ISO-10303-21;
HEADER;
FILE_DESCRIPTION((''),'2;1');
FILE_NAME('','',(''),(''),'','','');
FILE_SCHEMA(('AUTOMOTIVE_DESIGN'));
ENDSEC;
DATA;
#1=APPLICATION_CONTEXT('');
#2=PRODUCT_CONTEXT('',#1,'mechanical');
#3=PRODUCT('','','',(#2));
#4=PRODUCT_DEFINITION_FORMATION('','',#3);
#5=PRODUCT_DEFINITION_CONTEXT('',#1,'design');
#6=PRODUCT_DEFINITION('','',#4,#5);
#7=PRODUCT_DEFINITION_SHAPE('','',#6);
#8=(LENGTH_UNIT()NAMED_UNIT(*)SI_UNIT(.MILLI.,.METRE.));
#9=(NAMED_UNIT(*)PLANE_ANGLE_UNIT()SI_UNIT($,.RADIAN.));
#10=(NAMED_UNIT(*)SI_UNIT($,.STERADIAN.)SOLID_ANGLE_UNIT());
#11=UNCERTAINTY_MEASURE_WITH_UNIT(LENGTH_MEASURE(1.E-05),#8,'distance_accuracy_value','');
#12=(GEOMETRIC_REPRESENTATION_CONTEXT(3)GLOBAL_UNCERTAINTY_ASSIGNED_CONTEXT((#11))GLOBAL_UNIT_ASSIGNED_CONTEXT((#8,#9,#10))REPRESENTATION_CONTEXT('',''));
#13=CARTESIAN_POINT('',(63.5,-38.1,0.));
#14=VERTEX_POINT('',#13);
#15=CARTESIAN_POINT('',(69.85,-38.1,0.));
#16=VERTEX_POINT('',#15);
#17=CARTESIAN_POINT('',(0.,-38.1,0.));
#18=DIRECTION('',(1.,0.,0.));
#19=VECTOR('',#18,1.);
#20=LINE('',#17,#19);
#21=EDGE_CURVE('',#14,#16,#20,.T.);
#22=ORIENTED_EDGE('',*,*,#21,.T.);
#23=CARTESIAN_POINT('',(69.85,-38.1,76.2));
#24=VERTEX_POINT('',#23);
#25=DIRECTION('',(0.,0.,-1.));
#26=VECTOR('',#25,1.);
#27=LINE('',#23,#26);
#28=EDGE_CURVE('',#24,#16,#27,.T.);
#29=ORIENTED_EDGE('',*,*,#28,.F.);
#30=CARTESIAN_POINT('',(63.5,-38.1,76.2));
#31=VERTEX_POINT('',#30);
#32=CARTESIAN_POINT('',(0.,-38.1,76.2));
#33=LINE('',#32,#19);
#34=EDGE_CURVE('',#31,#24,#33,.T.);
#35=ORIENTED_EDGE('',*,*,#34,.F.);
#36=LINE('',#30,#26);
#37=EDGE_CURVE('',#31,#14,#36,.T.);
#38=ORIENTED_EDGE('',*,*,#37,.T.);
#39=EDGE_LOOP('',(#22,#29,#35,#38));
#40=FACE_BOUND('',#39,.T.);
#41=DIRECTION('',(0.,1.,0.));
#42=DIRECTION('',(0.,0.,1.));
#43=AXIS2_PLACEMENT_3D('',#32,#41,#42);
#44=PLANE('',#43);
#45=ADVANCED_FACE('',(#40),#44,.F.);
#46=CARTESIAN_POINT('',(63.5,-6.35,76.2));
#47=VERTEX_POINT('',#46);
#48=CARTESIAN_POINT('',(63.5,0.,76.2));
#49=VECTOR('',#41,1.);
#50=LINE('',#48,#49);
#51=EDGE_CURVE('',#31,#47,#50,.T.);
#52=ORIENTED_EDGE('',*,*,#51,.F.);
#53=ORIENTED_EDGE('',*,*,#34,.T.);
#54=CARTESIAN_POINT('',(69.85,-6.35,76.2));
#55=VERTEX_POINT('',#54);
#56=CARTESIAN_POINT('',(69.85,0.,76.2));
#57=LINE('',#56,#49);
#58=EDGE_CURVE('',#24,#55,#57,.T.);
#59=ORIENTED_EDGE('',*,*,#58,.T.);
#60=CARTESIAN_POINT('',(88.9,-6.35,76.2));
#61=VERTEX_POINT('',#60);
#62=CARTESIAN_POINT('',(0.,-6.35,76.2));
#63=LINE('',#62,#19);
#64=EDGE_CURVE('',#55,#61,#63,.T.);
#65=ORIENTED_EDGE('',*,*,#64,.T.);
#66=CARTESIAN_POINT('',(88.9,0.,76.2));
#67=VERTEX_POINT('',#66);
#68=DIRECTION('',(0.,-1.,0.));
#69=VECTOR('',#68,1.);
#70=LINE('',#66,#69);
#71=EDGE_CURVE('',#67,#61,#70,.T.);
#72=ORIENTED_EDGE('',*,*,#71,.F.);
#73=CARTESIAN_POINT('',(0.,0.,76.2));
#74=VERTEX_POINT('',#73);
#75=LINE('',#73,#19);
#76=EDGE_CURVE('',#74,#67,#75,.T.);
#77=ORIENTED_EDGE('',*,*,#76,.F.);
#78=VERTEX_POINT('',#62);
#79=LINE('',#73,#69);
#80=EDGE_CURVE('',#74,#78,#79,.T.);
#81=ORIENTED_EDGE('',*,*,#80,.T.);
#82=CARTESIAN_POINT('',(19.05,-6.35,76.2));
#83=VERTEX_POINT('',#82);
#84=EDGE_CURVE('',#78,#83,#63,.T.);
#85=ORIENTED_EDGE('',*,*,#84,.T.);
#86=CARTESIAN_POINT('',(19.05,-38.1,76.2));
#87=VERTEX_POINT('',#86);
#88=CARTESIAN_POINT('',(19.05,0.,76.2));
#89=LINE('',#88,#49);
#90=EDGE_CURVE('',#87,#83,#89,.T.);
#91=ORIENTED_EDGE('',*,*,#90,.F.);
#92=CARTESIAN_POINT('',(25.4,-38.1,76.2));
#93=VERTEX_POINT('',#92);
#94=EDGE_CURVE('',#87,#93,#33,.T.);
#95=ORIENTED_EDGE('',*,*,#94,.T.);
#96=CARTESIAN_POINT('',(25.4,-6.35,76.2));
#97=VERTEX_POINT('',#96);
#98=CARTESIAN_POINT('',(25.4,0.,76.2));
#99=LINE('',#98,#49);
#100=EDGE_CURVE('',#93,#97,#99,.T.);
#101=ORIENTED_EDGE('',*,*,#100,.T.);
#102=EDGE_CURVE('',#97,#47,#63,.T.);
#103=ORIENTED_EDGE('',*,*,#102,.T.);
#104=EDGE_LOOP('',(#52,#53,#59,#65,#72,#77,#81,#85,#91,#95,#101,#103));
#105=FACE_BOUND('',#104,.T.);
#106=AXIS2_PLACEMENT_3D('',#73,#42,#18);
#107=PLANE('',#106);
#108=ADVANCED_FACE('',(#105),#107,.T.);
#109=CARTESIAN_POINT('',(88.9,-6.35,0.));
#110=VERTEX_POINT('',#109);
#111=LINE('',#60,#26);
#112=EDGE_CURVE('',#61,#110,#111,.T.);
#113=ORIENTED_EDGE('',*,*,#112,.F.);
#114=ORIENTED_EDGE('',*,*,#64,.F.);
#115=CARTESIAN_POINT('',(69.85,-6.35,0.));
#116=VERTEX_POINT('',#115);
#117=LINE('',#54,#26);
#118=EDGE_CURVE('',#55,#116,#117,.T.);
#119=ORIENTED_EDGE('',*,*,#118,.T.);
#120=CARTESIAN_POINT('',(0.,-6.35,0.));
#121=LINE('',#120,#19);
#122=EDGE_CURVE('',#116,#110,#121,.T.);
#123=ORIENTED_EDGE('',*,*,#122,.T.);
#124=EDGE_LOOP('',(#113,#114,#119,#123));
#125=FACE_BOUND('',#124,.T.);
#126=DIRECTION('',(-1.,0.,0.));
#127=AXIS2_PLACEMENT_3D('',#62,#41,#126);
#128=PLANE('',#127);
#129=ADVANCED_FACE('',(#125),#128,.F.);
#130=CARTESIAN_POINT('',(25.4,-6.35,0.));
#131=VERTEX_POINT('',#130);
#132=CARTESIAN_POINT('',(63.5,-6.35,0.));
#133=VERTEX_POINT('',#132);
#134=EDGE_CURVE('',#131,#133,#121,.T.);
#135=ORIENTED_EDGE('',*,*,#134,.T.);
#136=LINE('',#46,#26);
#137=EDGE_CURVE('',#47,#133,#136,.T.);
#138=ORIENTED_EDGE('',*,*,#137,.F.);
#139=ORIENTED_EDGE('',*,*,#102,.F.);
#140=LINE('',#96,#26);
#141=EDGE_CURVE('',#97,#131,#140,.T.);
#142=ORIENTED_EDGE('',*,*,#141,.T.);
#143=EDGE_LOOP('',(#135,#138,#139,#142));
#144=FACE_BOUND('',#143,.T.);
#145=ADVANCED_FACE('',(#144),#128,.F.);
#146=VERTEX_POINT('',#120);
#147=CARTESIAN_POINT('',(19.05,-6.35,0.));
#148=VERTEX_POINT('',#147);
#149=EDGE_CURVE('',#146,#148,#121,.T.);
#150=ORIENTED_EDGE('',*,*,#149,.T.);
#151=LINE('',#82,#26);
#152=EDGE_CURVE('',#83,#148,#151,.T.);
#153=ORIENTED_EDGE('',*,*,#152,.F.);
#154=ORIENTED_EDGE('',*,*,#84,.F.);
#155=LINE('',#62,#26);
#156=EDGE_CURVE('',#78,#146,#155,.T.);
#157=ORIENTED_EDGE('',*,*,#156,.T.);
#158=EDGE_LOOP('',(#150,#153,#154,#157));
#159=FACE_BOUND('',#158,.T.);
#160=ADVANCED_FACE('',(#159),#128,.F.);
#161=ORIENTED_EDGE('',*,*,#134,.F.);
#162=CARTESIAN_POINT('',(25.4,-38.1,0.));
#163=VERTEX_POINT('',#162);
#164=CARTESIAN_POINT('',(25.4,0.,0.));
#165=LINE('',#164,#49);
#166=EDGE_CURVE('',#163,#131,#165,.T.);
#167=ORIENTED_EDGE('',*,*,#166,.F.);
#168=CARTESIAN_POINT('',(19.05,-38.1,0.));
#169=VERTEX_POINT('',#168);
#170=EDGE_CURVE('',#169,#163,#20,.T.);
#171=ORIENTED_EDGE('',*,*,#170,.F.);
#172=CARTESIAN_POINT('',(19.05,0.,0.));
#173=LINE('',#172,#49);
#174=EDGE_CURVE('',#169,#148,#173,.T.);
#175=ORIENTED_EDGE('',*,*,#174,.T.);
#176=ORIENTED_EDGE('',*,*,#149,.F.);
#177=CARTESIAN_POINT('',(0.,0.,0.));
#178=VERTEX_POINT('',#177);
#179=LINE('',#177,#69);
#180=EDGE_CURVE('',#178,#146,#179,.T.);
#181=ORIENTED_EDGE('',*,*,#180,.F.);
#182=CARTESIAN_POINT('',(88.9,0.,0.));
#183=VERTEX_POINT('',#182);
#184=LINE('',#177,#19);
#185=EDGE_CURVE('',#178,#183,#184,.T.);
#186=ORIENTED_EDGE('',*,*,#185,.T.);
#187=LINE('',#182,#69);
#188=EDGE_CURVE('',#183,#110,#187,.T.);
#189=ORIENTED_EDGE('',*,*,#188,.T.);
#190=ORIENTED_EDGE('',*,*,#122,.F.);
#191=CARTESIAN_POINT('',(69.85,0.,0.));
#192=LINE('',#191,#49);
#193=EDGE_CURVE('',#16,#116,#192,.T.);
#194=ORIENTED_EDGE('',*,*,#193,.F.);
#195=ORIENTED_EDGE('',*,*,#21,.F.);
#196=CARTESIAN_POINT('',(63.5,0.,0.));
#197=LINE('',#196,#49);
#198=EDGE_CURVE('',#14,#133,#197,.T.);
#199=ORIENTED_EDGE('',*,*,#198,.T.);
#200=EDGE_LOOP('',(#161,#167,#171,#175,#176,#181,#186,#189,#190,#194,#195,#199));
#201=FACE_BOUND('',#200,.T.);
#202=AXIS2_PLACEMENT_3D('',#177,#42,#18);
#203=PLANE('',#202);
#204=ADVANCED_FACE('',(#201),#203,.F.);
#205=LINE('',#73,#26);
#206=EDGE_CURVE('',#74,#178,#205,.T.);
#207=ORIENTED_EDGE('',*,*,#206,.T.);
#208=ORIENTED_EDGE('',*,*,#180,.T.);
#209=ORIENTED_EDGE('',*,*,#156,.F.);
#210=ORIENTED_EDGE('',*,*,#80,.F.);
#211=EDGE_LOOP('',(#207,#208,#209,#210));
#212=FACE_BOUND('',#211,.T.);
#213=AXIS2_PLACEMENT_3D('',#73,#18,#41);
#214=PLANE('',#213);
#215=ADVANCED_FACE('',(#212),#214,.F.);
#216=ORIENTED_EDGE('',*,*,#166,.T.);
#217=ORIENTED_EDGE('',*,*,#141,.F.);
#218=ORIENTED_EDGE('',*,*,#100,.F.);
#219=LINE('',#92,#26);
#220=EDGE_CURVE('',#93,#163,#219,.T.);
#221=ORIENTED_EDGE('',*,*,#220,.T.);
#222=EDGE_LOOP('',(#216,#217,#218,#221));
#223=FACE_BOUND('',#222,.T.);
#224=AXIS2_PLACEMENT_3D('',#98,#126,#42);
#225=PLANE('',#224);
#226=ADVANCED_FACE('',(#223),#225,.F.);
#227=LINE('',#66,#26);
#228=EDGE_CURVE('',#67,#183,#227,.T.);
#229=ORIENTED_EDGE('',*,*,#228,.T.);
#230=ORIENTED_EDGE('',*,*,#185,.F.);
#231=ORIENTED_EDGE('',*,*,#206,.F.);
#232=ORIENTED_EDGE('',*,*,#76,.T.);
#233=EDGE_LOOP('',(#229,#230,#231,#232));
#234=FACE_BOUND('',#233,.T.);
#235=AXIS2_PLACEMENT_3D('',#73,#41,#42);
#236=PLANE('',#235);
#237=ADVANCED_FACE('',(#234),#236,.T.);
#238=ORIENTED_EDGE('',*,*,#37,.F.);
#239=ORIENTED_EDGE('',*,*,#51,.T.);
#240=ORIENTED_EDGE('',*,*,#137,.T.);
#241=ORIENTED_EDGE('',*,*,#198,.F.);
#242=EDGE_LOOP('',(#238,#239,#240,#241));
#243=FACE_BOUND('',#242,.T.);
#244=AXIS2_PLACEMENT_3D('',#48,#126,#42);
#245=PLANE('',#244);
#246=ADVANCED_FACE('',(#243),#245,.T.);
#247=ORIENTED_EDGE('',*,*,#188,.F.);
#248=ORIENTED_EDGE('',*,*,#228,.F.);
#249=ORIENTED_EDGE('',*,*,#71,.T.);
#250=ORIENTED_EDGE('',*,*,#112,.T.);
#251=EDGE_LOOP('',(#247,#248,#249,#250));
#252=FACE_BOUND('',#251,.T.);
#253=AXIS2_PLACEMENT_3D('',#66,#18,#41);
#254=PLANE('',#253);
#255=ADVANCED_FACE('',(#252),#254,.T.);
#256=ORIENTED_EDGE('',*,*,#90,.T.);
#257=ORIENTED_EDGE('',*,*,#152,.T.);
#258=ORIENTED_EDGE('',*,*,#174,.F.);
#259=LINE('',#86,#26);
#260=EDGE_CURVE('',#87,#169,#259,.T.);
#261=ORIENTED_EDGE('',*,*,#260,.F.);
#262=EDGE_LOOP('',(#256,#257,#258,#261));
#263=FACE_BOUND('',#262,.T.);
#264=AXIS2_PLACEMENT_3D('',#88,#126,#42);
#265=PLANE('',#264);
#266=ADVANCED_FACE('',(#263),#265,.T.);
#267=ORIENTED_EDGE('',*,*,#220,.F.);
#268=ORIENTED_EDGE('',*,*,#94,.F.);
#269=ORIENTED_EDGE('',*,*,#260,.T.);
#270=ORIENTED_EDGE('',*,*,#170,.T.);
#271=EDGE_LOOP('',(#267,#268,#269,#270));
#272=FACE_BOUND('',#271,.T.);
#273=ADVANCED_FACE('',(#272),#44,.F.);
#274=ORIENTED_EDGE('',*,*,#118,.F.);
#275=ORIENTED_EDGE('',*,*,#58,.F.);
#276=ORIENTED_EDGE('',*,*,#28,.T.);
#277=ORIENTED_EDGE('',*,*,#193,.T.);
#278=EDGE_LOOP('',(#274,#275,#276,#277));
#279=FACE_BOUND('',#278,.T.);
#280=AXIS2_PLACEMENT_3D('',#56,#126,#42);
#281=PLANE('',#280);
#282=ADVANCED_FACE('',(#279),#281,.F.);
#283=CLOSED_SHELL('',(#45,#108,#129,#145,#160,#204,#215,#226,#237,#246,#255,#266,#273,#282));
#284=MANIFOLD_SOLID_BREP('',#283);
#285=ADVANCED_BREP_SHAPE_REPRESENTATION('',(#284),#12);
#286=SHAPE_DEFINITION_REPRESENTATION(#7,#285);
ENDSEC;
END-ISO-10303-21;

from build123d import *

# Parameters (mm, degrees)
SKETCH1_W           = 6.35
SKETCH1_H           = 31.75
BOSS_EXTRUDE1_DEPTH = 76.2


with BuildPart() as part:
    # Sketch1 → Boss-Extrude1 (new body)
    with BuildSketch(Plane.XY):
        Polygon((88.9, 0), (0, 0), (0, -6.35), (19.05, -6.35), (25.4, -6.35), (63.5, -6.35), (69.85, -6.35), (88.9, -6.35), align=None)
        with Locations((22.225, -22.225)):
            Rectangle(SKETCH1_W, SKETCH1_H)
        with Locations((66.675, -22.225)):
            Rectangle(SKETCH1_W, SKETCH1_H)
    extrude(amount=BOSS_EXTRUDE1_DEPTH)


solid = part.part
